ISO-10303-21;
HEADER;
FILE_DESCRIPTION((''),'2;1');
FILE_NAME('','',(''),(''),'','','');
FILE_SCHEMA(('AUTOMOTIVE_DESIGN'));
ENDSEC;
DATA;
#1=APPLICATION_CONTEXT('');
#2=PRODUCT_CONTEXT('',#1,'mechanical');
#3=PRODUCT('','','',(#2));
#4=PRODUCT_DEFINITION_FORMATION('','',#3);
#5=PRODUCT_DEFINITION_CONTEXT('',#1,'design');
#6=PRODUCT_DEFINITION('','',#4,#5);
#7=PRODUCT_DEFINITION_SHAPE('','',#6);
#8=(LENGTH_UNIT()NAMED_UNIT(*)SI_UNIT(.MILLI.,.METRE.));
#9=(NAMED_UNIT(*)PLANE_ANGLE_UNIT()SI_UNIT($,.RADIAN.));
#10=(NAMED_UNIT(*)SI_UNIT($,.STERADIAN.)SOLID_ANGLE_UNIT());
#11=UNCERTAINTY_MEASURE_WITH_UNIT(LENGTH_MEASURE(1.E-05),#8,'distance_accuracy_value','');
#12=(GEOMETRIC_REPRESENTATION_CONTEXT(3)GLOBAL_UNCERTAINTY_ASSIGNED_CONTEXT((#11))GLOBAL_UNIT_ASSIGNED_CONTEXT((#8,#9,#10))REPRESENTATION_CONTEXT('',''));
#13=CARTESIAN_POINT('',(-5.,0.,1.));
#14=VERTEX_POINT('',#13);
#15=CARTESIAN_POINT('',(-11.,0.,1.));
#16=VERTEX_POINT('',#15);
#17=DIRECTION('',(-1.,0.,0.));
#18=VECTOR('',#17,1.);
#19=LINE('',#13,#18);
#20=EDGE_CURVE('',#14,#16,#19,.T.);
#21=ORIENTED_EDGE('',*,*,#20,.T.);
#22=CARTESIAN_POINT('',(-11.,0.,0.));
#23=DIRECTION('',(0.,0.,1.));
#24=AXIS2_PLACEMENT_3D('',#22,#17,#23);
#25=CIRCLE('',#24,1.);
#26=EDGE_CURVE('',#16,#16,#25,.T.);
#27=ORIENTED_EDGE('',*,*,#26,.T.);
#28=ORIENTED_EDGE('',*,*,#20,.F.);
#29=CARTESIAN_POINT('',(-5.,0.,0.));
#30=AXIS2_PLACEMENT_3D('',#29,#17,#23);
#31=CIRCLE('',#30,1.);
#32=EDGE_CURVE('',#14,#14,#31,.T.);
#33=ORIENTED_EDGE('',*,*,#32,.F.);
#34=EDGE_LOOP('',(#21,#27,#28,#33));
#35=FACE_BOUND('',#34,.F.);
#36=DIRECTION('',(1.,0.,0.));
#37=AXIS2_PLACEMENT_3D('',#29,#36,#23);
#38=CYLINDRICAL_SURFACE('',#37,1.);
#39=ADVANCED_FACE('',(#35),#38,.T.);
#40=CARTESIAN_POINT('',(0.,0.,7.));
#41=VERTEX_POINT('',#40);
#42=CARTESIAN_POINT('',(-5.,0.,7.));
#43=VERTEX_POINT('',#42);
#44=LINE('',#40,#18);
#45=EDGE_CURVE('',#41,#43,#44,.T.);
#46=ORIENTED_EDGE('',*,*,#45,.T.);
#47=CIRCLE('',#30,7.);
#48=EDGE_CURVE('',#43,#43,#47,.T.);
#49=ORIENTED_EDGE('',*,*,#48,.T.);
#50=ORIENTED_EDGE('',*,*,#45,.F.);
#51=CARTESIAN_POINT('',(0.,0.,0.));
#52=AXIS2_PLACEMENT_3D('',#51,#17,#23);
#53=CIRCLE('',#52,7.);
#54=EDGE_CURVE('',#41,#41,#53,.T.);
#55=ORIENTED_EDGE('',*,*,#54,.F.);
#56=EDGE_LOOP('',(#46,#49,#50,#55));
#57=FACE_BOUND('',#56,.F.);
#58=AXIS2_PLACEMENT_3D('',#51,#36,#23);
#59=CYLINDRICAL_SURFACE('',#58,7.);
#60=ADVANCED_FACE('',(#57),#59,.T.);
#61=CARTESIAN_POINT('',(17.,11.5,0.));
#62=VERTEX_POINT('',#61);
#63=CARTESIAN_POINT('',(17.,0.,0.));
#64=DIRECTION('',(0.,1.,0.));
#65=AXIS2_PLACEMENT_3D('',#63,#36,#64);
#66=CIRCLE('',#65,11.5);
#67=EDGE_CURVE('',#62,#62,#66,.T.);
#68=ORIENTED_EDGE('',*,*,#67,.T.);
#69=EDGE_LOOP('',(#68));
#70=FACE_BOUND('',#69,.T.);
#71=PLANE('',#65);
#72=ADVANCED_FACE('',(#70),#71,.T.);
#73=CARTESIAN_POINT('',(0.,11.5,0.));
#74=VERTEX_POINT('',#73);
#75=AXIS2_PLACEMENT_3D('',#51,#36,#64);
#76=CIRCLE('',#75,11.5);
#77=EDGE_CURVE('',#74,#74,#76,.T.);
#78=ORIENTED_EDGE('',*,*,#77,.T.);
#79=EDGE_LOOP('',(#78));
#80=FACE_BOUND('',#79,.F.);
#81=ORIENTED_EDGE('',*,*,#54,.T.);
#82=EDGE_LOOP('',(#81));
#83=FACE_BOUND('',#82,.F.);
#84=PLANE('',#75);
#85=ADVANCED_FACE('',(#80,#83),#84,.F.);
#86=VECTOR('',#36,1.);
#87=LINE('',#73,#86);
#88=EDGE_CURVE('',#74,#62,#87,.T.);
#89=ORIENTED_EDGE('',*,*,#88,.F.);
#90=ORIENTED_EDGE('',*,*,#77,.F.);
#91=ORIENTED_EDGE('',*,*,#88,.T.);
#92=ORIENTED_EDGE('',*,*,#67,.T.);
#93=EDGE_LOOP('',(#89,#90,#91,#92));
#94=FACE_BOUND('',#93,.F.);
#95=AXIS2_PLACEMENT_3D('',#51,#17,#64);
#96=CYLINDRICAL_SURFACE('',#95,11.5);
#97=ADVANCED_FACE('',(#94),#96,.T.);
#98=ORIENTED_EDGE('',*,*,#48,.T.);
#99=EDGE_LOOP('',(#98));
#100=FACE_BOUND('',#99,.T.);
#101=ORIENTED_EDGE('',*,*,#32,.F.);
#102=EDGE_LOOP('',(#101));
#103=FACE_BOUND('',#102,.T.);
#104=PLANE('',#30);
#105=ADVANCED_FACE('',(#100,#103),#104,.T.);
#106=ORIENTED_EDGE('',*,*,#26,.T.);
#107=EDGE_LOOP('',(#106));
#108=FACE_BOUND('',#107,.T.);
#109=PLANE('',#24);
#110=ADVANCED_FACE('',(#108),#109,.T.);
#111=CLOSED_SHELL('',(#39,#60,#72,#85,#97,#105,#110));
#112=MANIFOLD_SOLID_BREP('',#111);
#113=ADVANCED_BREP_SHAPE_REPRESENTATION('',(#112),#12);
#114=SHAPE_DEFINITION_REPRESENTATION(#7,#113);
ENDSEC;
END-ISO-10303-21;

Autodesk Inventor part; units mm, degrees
ref_plane "YZ Plane" through (0, 0, 0) normal (1, 0, 0) x (0, 1, 0)
ref_plane "XZ Plane" through (0, 0, 0) normal (0, 1, 0) x (-1, 0, 0)
ref_plane "XY Plane" through (0, 0, 0) normal (0, 0, 1) x (1, 0, 0)
sketch "スケッチ1" plane through (0, 0, 0) normal (1, 0, 0) x (0, 1, 0)
  circle A0 centre (0, 0) radius 11.5
  dimension "d0" = 23
extrude "押し出し1" add sketch "スケッチ1" along normal blind 17
sketch "スケッチ2" plane through (0, 0, 0) normal (-1, 0, 0) x (0, 0, 1)
  circle A0 centre (0, 0) radius 7
  dimension "d3" = 14
extrude "押し出し2" add sketch "スケッチ2" along normal blind 5
sketch "スケッチ3" plane through (-5, 0, 0) normal (-1, 0, 0) x (0, 0, 1)
  circle A0 centre (0, 0) radius 1
  dimension "d6" = 2
extrude "押し出し3" add sketch "スケッチ3" along normal blind 6
properties part number "Motor_230" material "鋼"
